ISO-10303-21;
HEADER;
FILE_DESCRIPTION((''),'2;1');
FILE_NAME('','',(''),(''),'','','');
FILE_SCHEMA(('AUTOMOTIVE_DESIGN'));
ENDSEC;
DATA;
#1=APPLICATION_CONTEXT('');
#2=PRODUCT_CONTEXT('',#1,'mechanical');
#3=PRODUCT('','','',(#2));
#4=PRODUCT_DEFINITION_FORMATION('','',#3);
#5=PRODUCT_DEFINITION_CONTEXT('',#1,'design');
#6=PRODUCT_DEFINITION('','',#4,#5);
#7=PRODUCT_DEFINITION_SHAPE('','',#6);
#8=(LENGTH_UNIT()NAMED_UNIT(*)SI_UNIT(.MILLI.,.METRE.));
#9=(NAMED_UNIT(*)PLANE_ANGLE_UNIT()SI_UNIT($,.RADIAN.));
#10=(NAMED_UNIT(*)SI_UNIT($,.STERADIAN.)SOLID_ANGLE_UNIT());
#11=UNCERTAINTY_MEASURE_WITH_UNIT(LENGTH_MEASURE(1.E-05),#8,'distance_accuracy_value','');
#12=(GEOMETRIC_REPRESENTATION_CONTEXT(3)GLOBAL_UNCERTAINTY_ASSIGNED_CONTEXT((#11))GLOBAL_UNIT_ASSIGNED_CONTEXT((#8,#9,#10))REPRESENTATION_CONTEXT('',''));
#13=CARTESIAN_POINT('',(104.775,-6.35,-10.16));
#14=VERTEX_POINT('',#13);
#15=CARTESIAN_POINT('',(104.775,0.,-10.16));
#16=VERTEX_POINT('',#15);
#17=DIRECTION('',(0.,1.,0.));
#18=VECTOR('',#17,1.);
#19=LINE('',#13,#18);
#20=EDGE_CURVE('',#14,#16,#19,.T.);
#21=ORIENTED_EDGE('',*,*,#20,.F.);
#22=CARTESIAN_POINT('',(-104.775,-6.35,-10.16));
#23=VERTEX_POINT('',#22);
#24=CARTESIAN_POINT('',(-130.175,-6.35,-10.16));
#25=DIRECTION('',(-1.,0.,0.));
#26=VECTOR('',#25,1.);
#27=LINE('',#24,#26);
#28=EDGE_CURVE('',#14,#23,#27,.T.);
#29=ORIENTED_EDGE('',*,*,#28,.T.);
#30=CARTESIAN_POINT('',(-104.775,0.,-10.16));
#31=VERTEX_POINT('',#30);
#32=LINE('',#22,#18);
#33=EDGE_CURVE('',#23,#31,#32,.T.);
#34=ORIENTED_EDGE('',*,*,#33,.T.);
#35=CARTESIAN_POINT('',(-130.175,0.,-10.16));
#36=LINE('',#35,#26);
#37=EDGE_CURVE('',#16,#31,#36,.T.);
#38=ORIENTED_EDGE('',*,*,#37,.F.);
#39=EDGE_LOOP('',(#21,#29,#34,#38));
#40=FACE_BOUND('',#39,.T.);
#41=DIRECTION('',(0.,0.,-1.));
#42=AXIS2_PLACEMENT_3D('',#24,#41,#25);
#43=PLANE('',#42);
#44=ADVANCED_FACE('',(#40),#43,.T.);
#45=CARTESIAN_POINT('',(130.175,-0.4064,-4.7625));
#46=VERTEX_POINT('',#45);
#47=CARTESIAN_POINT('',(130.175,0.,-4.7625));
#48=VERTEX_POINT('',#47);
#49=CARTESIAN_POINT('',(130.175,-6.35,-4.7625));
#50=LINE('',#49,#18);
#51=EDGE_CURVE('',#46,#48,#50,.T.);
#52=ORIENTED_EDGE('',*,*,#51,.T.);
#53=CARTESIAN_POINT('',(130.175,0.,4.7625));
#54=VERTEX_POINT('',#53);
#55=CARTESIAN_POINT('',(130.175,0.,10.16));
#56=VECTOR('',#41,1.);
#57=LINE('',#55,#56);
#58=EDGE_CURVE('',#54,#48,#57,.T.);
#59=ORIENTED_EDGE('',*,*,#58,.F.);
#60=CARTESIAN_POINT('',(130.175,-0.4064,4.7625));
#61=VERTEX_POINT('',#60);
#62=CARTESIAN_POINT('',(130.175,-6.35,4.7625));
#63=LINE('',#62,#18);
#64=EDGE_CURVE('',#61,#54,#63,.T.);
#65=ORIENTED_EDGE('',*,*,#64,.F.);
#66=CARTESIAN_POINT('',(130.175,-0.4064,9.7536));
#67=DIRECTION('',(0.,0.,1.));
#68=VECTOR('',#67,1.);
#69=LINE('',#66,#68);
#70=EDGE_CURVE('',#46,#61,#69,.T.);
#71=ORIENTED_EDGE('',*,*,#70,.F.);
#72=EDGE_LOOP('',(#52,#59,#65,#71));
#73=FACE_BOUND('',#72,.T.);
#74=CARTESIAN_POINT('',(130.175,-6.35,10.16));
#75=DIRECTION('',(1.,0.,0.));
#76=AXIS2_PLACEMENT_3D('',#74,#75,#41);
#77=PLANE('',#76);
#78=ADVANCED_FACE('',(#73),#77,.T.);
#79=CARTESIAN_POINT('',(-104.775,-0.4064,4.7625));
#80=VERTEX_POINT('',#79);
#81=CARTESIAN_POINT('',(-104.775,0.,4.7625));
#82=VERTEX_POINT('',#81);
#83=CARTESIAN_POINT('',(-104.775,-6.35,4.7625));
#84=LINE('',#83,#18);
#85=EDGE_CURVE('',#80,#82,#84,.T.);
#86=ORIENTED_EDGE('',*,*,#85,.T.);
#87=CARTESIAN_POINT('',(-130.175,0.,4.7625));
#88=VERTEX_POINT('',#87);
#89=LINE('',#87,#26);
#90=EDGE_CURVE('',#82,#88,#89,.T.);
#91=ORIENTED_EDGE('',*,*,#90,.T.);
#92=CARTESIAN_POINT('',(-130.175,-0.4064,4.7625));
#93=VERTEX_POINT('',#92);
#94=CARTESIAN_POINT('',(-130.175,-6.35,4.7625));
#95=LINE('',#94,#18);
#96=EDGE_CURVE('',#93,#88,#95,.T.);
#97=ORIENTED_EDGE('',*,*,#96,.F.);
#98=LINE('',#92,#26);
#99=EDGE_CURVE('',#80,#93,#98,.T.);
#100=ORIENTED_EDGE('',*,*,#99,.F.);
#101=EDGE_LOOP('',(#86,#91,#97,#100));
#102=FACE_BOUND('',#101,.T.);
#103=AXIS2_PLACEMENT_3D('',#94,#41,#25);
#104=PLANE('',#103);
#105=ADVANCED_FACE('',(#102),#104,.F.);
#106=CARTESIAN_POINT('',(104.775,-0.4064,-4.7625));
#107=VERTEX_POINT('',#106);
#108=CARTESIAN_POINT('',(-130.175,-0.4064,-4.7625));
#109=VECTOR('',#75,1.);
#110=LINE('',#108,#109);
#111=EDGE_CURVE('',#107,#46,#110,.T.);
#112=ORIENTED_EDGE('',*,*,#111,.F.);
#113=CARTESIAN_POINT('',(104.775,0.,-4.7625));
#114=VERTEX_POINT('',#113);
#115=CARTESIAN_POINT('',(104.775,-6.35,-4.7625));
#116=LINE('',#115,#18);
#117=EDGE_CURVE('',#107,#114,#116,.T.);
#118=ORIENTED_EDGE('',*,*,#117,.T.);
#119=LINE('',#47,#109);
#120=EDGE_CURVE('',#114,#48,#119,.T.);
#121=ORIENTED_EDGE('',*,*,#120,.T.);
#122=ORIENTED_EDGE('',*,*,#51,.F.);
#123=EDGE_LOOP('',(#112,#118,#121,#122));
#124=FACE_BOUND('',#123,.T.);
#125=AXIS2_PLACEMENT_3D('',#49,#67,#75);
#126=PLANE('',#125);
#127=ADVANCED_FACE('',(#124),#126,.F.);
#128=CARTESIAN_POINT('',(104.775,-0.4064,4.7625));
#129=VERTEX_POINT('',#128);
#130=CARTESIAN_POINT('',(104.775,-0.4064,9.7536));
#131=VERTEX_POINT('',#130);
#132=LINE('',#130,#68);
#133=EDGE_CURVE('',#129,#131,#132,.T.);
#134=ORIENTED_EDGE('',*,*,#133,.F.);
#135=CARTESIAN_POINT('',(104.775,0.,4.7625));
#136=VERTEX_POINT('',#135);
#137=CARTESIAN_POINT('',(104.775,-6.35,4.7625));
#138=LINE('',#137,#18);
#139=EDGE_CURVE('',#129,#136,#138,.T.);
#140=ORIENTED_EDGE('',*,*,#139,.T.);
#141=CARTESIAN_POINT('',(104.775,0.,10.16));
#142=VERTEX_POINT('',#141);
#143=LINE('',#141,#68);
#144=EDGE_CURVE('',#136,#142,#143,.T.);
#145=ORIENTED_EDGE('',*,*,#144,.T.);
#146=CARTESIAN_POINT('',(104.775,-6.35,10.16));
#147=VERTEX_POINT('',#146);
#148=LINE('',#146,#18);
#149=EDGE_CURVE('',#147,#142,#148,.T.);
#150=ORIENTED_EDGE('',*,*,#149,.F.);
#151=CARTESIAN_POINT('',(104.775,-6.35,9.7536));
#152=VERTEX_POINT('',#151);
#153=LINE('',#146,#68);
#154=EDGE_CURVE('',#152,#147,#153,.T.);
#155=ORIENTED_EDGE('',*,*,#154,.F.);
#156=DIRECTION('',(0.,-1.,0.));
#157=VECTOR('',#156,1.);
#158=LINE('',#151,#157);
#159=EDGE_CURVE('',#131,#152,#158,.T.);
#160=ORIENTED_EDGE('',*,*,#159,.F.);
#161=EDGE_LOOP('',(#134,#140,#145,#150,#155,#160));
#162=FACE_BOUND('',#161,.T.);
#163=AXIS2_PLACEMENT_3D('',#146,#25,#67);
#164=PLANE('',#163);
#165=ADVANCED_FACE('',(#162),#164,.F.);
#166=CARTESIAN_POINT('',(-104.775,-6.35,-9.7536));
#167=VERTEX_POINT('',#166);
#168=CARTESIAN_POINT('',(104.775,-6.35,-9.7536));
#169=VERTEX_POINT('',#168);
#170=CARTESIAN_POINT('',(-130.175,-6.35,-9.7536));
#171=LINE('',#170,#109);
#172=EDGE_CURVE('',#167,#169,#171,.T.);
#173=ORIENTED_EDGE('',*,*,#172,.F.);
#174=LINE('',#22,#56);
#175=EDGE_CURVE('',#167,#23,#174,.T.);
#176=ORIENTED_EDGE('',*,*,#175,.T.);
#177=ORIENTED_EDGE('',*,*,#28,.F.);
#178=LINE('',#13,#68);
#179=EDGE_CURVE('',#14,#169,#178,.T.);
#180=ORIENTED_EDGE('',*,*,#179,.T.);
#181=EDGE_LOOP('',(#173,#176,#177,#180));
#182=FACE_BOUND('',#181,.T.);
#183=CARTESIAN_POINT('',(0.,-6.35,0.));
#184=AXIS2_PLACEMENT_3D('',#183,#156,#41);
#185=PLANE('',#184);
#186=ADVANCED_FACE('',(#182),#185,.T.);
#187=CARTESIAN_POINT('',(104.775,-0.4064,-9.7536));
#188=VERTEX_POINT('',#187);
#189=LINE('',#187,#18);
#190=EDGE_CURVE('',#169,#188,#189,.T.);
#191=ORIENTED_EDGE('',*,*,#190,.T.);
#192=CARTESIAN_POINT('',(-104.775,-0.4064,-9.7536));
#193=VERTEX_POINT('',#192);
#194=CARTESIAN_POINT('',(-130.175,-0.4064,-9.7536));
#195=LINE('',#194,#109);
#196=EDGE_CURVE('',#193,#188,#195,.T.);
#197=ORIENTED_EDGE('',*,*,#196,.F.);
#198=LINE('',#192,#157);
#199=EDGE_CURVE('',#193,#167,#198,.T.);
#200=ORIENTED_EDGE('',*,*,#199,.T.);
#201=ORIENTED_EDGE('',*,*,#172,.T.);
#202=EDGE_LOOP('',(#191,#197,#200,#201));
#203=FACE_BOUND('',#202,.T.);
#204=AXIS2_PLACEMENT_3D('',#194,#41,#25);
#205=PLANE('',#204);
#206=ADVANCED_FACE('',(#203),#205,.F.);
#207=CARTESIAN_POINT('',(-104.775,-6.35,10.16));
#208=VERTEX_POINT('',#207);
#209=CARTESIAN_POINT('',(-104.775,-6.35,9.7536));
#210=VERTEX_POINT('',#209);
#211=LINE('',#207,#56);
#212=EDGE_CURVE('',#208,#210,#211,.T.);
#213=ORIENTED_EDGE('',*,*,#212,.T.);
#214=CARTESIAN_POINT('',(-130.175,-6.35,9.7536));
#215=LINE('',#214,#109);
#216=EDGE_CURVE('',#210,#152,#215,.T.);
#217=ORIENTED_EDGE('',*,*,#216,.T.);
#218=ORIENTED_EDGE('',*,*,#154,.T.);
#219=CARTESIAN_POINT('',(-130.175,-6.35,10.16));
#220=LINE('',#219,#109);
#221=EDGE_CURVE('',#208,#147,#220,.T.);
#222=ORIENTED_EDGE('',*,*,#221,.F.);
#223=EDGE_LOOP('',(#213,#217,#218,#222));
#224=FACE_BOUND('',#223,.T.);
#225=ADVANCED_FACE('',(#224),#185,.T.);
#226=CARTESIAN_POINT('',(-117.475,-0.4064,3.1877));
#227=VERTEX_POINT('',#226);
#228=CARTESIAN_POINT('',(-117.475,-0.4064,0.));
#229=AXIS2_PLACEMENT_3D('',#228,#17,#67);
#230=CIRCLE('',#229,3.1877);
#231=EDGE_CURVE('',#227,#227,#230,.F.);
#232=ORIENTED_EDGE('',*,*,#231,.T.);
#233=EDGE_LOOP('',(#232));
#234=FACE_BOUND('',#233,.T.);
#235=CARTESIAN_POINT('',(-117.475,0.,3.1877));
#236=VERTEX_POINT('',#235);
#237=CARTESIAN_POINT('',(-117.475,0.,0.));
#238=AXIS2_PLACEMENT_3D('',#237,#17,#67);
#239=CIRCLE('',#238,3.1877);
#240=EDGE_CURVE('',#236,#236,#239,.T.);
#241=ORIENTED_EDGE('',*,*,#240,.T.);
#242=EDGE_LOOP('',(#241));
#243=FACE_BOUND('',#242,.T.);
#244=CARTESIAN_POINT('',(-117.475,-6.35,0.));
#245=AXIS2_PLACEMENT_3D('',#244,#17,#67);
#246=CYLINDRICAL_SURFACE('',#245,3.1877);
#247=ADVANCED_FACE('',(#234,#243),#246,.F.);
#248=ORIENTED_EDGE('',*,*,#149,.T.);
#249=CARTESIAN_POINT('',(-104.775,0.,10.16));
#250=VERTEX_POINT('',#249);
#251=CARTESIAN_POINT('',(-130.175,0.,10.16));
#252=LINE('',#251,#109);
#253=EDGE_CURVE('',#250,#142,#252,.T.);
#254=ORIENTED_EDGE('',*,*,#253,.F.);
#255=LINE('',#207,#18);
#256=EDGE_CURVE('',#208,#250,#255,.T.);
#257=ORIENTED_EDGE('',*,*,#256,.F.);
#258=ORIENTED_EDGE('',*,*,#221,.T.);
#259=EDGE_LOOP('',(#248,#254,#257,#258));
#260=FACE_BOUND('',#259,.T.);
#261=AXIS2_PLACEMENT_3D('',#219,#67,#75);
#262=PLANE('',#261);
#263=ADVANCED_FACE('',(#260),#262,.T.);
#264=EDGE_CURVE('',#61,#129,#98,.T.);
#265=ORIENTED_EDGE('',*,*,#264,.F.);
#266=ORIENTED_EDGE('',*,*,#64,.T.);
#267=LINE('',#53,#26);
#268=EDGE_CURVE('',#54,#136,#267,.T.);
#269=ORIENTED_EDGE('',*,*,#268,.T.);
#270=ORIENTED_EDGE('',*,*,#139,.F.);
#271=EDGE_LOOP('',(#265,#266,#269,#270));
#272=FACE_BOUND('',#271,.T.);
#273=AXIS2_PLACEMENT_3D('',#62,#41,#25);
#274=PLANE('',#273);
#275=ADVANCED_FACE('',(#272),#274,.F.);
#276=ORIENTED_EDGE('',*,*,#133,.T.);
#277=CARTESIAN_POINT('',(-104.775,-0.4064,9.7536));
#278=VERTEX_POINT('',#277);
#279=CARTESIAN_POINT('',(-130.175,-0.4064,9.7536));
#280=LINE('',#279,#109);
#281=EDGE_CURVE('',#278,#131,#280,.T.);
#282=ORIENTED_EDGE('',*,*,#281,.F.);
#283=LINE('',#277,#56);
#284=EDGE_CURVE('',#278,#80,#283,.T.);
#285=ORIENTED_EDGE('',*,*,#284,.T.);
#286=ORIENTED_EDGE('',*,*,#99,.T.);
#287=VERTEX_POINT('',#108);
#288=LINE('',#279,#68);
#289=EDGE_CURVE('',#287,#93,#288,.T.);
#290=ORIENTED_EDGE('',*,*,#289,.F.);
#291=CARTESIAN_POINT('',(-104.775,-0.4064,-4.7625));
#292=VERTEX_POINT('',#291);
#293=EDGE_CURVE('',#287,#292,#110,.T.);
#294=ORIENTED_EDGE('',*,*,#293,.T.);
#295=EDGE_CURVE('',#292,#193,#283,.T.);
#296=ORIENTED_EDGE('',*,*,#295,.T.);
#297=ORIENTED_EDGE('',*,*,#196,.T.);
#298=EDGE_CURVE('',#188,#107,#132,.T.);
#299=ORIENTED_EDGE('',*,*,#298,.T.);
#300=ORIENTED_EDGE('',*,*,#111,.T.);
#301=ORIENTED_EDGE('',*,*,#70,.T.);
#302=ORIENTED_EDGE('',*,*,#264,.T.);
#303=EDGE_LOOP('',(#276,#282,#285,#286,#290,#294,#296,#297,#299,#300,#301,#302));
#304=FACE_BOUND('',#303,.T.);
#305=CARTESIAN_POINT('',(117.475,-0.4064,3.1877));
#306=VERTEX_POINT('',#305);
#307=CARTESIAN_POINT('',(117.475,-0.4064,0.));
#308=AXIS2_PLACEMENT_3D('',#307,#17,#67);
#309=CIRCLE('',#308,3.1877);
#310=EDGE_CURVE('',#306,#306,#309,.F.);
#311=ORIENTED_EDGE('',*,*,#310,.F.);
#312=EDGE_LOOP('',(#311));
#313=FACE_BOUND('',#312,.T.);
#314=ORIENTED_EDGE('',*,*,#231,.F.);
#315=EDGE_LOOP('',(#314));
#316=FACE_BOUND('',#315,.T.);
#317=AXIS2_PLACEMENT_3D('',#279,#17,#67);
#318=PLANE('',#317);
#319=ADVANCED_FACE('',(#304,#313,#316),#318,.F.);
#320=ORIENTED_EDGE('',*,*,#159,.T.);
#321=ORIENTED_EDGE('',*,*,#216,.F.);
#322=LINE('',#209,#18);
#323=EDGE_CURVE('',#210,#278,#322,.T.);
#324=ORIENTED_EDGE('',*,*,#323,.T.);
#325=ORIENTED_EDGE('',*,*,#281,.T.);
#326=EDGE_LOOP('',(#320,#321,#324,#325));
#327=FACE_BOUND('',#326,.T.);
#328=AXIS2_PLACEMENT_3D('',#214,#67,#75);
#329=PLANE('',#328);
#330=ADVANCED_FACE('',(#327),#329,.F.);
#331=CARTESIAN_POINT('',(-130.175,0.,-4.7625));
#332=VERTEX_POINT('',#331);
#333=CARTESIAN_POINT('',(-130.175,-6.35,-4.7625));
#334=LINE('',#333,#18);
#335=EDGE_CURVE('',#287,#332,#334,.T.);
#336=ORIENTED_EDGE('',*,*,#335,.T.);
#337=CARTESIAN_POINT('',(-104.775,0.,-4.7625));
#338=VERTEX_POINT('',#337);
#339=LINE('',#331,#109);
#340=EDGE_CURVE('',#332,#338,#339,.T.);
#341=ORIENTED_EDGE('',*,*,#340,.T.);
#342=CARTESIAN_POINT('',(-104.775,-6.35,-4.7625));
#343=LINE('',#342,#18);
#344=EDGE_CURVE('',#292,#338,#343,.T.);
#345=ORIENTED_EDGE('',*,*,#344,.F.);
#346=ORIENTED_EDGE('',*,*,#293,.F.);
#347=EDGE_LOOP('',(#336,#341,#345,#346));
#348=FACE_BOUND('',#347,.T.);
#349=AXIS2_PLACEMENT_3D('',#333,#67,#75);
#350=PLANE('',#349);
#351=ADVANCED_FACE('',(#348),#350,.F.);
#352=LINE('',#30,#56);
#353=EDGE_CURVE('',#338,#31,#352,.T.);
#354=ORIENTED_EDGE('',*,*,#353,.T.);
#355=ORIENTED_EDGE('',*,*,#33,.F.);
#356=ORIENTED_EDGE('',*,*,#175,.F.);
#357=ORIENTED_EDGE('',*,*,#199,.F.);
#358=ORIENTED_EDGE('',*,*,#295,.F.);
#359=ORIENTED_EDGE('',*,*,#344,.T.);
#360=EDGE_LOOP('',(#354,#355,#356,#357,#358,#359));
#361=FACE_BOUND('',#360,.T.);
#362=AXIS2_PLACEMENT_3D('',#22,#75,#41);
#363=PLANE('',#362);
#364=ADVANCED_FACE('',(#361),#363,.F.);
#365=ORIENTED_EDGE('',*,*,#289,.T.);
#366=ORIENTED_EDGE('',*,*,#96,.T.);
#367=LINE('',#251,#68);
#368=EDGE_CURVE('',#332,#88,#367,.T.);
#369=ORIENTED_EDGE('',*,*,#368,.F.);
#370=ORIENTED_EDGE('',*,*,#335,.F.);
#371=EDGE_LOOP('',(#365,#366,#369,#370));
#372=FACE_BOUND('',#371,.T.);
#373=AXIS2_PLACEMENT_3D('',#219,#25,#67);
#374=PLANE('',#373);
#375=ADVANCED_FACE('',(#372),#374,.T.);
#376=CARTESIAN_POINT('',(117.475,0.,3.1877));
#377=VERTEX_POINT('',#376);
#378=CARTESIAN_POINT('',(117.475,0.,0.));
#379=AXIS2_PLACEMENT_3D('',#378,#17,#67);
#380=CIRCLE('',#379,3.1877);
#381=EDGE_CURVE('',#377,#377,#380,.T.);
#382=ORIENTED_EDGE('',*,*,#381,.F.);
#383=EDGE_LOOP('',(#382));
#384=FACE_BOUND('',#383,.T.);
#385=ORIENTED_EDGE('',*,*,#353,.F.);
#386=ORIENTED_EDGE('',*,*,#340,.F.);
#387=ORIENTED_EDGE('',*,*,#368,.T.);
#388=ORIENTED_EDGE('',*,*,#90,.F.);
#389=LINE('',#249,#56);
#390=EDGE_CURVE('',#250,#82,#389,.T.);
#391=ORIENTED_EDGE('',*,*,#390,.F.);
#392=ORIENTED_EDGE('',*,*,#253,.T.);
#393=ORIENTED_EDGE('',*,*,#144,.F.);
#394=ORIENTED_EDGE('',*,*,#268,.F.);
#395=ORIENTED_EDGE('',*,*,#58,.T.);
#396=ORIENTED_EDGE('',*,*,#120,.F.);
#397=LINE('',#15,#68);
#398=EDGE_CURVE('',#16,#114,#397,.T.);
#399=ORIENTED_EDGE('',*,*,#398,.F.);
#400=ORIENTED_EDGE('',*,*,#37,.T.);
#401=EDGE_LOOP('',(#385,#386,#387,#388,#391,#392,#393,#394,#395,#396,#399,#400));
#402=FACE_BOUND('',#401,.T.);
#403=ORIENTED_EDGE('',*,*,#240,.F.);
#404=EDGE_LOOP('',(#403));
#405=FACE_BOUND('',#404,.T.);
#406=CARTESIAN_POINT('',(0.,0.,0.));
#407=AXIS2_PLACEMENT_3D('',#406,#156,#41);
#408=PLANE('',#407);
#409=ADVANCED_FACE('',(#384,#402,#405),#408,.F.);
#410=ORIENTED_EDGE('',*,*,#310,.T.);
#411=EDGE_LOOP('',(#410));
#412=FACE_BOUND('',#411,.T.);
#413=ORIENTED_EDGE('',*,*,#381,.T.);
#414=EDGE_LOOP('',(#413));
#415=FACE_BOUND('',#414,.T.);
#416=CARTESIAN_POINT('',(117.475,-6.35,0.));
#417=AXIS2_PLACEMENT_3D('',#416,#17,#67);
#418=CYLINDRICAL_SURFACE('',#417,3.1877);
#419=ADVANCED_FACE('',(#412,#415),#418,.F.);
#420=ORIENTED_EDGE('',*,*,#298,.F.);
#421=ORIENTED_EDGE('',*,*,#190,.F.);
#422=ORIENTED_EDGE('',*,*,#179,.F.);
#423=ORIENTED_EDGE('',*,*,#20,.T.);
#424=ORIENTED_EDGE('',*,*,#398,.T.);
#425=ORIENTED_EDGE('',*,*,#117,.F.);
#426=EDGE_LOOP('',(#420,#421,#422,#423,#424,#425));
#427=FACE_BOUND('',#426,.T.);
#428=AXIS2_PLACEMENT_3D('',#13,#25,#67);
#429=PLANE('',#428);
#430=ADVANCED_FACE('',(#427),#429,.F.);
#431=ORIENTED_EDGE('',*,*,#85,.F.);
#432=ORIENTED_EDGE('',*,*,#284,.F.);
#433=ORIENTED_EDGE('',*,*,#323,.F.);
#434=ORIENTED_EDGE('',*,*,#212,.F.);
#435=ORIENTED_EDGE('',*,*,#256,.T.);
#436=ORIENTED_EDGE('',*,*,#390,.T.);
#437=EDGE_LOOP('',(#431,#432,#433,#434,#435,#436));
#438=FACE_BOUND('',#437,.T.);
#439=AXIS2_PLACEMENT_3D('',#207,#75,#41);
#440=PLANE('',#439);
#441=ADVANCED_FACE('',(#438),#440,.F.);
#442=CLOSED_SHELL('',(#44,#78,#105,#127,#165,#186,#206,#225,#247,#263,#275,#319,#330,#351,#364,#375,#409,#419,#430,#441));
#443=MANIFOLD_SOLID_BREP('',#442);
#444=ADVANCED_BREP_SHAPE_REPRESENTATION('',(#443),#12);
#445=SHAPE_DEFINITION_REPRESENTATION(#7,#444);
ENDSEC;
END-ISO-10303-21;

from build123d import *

# Parameters (mm, degrees)
SKETCH2_W           = 260.35
SKETCH2_H           = 20.32
SKETCH2_R           = 3.1877
BOSS_EXTRUDE1_DEPTH = 6.35
SKETCH3_W           = 19.5072
SKETCH3_H           = 5.9436
CUT_EXTRUDE1_DEPTH  = 261.625537122
SKETCH4_W           = 25.4
SKETCH4_H           = 5.3975
CUT_EXTRUDE2_DEPTH  = 131.725203098


with BuildPart() as part:
    # Sketch2 → Boss-Extrude1 (new body)
    with BuildSketch(Plane(origin=(0, 0, 0), x_dir=(1, 0, 0), z_dir=(0, 1, 0))):
        Rectangle(SKETCH2_W, SKETCH2_H)
        with Locations(Location((-117.475, 0, 0), (0, 0, 270))):
            Circle(SKETCH2_R, mode=Mode.SUBTRACT)
        with Locations(Location((117.475, 0, 0), (0, 0, 270))):
            Circle(SKETCH2_R, mode=Mode.SUBTRACT)
    extrude(amount=-BOSS_EXTRUDE1_DEPTH)

    # Sketch3 → Cut-Extrude1 (cut, through all)
    with BuildSketch(Plane(origin=(130.175, 0, 0), x_dir=(0, 0, -1), z_dir=(1, 0, 0))):
        with Locations((0, -3.3782)):
            Rectangle(SKETCH3_W, SKETCH3_H)
    extrude(amount=-CUT_EXTRUDE1_DEPTH, mode=Mode.SUBTRACT)

    # Sketch4 → Cut-Extrude2 (cut, through all)
    with BuildSketch(Plane(origin=(0, 0, 0), x_dir=(1, 0, 0), z_dir=(0, 1, 0))):
        with Locations((-117.475, 7.46125)):
            Rectangle(SKETCH4_W, SKETCH4_H)
        with Locations((-117.475, -7.46125)):
            Rectangle(SKETCH4_W, SKETCH4_H)
        with Locations((117.475, 7.46125)):
            Rectangle(SKETCH4_W, SKETCH4_H)
        with Locations((117.475, -7.46125)):
            Rectangle(SKETCH4_W, SKETCH4_H)
    extrude(amount=-CUT_EXTRUDE2_DEPTH, mode=Mode.SUBTRACT)


solid = part.part
